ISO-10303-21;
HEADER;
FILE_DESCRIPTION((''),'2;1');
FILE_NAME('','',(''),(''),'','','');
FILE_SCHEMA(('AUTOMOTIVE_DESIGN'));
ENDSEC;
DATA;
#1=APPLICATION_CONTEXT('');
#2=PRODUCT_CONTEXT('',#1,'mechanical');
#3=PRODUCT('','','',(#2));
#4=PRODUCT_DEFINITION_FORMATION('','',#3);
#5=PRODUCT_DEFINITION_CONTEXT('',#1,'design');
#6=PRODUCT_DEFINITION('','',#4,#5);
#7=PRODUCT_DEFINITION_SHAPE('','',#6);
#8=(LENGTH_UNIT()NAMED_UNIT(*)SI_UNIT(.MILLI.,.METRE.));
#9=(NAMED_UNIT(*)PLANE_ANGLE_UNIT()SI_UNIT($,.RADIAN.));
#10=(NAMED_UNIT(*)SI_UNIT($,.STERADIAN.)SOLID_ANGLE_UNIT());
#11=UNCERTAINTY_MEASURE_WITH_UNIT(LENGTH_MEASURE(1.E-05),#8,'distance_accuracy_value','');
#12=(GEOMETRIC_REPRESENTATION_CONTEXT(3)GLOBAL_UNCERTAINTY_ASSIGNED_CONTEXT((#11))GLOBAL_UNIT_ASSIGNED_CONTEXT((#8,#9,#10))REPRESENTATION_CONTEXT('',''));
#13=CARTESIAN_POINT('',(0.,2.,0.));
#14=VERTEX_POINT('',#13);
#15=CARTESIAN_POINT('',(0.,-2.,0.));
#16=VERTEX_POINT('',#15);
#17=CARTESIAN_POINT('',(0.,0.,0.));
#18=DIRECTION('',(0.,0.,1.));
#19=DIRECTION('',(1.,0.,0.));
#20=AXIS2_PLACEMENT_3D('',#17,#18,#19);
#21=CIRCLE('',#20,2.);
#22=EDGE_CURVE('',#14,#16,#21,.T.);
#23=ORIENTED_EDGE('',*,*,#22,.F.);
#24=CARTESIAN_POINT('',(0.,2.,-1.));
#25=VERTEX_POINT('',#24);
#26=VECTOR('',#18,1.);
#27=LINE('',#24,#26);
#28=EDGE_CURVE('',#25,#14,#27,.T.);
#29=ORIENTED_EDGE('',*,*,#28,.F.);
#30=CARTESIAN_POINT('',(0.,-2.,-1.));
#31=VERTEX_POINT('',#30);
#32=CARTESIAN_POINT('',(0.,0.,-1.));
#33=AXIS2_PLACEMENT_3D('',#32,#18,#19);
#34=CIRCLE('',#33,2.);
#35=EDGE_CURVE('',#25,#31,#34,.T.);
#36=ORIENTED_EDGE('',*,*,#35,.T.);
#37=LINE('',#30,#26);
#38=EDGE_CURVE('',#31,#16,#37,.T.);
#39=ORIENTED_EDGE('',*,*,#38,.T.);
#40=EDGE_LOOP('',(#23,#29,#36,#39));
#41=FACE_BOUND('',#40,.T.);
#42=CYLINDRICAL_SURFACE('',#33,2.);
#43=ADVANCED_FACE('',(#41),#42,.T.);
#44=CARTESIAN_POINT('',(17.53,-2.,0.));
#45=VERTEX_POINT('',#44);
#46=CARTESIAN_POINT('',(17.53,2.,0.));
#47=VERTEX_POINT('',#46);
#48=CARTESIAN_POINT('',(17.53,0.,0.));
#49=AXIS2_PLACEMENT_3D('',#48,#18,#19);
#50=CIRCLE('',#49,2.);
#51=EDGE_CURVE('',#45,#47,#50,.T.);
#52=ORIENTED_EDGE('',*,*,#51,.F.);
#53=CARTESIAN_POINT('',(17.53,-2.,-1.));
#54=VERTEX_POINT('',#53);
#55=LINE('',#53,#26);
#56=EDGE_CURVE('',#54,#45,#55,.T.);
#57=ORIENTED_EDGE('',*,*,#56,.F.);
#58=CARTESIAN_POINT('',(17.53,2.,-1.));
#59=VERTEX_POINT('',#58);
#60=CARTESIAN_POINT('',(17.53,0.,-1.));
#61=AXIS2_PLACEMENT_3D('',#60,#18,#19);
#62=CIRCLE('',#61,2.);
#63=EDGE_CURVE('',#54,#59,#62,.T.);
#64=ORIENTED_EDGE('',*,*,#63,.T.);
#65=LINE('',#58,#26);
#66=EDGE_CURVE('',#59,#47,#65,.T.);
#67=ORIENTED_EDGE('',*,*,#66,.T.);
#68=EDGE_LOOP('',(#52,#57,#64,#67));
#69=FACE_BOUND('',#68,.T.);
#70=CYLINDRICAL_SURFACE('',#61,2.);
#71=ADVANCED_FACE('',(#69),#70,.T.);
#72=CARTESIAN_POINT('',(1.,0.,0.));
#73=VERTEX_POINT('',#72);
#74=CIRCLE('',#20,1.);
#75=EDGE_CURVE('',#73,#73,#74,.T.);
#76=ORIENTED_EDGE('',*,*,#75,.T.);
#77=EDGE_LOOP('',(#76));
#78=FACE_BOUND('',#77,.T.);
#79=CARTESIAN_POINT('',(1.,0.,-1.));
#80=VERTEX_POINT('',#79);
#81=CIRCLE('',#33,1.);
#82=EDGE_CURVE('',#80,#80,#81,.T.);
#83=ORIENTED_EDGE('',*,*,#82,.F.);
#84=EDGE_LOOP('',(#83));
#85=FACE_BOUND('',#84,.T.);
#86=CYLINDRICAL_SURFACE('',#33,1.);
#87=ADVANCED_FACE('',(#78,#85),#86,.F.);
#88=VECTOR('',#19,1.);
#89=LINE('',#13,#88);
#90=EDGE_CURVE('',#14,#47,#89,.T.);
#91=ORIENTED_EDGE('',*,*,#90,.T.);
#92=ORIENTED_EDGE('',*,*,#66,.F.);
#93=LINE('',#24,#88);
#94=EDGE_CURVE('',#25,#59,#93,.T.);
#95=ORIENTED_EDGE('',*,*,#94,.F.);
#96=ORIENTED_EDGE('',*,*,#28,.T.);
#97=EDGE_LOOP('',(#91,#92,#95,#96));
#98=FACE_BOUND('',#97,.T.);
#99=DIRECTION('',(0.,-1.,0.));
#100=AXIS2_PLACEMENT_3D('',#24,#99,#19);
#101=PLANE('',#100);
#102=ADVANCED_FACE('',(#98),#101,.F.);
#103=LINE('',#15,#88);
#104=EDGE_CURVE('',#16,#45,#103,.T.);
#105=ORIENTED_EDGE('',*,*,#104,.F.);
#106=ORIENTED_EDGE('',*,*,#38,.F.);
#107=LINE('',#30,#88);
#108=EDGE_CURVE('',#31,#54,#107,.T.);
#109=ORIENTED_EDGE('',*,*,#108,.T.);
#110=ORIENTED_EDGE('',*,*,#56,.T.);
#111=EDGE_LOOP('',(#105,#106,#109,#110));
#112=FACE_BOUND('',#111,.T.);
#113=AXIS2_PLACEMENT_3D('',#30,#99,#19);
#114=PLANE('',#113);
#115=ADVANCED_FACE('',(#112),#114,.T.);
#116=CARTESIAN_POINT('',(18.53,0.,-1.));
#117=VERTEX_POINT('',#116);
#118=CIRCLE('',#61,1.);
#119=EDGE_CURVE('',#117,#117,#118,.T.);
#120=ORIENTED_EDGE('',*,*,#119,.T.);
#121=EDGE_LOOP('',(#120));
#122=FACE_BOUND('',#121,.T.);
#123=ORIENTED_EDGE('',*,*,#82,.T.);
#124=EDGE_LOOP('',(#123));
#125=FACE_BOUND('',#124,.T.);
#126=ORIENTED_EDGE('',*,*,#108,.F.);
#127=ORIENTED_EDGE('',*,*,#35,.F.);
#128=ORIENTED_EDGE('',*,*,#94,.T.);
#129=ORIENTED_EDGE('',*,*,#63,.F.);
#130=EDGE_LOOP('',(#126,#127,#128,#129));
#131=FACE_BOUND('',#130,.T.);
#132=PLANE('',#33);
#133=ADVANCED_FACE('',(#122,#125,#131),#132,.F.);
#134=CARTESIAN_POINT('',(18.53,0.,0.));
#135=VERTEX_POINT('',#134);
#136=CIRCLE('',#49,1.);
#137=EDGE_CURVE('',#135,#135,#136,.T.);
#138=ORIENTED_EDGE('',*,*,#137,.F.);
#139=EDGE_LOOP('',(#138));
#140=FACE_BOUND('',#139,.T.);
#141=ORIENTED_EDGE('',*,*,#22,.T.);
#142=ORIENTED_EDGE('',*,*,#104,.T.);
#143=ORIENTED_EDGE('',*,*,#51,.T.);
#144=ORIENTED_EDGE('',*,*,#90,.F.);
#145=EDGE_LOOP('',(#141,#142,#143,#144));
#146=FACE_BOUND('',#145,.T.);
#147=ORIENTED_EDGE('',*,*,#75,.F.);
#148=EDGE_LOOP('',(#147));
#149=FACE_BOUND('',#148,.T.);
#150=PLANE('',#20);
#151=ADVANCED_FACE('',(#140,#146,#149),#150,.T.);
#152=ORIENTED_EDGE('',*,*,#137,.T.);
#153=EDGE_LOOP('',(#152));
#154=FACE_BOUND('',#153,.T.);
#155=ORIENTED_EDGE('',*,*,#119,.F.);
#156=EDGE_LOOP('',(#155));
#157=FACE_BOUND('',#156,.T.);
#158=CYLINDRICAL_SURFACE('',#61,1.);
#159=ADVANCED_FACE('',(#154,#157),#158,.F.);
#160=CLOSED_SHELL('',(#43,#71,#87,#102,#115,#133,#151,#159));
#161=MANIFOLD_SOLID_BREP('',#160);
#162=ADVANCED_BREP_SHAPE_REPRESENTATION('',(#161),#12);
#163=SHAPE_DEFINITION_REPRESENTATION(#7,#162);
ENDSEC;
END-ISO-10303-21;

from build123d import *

# Parameters (mm, degrees)
SKETCH1_R      = 1
EXTRUDE1_DEPTH = 1


with BuildPart() as part:
    # Sketch1 → Extrude1 (new body)
    with BuildSketch(Plane.XY):
        with BuildLine():
            ThreePointArc((0, 2), (-2, 0), (0, -2))
            Line((0, -2), (17.53, -2))
            ThreePointArc((17.53, -2), (19.53, 0), (17.53, 2))
            Line((17.53, 2), (0, 2))
        make_face()
        Circle(SKETCH1_R, mode=Mode.SUBTRACT)
        with Locations((17.53, 0)):
            Circle(SKETCH1_R, mode=Mode.SUBTRACT)
    extrude(amount=-EXTRUDE1_DEPTH)


solid = part.part
